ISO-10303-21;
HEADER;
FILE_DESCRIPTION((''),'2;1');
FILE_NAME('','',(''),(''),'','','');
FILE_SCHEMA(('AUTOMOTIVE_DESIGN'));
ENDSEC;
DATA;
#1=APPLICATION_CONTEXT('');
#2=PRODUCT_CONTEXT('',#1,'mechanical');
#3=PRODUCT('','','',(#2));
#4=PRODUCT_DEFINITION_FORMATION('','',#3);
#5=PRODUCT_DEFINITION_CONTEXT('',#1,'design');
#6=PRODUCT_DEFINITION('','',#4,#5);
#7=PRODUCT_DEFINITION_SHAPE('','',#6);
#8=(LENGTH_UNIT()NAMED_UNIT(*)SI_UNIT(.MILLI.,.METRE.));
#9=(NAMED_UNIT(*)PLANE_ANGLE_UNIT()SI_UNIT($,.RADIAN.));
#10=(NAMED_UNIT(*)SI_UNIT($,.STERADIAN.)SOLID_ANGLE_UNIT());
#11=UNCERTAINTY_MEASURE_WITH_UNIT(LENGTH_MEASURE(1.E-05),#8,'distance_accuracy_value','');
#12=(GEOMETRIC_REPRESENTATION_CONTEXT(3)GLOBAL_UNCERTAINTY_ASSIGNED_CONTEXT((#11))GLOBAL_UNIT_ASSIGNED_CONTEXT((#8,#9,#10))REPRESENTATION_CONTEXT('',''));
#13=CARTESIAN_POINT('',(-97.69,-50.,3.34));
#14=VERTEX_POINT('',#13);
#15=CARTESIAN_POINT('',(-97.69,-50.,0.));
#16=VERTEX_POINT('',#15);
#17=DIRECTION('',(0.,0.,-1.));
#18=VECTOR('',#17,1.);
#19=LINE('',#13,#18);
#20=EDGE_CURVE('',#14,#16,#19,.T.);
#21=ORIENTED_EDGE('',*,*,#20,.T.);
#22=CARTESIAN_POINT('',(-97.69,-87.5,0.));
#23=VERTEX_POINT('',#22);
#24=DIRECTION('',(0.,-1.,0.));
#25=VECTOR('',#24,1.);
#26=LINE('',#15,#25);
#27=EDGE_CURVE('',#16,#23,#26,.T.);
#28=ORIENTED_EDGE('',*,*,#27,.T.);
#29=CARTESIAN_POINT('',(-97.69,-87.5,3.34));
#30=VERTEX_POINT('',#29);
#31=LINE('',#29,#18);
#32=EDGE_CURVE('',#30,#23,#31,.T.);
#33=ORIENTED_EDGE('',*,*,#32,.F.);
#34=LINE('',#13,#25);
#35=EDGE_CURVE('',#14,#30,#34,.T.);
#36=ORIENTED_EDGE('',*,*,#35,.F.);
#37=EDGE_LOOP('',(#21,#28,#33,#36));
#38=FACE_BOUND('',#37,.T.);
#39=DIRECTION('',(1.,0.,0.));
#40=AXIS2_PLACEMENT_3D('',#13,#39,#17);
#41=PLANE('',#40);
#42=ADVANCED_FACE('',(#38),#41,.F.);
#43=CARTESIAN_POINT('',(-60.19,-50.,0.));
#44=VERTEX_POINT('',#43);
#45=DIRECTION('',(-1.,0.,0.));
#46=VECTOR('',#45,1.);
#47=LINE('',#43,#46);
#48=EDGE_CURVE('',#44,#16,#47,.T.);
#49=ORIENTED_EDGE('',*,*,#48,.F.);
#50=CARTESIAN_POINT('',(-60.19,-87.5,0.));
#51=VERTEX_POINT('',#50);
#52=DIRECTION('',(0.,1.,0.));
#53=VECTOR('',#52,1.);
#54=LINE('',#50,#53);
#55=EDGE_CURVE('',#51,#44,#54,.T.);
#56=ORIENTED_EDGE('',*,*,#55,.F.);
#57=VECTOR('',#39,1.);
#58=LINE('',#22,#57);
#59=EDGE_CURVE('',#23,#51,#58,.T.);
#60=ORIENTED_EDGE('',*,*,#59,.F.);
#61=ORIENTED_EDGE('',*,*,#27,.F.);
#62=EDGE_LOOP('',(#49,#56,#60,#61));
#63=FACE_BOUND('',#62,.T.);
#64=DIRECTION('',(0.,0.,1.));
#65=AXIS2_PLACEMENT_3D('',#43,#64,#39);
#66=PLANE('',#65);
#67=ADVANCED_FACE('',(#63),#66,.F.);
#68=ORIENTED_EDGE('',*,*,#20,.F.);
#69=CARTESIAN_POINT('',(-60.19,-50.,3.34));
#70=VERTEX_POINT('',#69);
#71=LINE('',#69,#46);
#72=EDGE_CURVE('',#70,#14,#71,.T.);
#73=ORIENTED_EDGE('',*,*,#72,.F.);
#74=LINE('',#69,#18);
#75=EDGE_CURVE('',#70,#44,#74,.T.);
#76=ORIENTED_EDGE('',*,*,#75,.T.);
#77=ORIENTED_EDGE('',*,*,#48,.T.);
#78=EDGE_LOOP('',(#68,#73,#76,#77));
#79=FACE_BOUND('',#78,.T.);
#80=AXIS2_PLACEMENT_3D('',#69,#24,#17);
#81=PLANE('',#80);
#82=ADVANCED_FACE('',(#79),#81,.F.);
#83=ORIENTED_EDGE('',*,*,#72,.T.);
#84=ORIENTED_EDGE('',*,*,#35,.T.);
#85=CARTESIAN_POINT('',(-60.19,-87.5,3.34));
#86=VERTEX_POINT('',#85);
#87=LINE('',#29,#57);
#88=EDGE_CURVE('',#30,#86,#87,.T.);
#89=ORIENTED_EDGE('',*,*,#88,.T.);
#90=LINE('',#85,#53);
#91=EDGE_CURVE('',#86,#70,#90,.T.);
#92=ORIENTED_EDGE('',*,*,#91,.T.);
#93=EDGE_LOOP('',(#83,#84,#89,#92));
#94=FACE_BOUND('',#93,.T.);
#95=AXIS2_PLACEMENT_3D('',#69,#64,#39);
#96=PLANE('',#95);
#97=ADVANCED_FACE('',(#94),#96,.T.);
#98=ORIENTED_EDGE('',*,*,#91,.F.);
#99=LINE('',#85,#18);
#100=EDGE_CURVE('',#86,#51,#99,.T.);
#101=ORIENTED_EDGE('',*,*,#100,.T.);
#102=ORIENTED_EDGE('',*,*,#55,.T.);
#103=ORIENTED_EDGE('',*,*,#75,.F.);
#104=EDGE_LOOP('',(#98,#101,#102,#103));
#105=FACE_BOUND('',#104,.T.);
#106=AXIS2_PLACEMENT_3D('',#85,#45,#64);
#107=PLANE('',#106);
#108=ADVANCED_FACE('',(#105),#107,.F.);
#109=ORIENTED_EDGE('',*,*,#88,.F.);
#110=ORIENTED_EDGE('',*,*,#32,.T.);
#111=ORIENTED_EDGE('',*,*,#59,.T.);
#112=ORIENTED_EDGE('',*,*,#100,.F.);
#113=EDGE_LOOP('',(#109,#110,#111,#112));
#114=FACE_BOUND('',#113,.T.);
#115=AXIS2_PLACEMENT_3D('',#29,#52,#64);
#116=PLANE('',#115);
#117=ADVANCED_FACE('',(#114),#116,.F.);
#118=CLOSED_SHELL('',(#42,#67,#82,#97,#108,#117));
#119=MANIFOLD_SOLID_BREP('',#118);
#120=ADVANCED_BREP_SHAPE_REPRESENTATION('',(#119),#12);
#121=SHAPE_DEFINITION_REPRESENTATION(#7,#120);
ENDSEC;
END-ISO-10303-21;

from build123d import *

# Parameters (mm, degrees)
SKETCH1_W      = 37.5
SKETCH1_H      = 37.5
EXTRUDE1_DEPTH = 3.34


with BuildPart() as part:
    # Sketch1 → Extrude1 (new body)
    with BuildSketch(Plane.XY):
        with Locations((-78.94, -68.75)):
            Rectangle(SKETCH1_W, SKETCH1_H)
    extrude(amount=EXTRUDE1_DEPTH)


solid = part.part
